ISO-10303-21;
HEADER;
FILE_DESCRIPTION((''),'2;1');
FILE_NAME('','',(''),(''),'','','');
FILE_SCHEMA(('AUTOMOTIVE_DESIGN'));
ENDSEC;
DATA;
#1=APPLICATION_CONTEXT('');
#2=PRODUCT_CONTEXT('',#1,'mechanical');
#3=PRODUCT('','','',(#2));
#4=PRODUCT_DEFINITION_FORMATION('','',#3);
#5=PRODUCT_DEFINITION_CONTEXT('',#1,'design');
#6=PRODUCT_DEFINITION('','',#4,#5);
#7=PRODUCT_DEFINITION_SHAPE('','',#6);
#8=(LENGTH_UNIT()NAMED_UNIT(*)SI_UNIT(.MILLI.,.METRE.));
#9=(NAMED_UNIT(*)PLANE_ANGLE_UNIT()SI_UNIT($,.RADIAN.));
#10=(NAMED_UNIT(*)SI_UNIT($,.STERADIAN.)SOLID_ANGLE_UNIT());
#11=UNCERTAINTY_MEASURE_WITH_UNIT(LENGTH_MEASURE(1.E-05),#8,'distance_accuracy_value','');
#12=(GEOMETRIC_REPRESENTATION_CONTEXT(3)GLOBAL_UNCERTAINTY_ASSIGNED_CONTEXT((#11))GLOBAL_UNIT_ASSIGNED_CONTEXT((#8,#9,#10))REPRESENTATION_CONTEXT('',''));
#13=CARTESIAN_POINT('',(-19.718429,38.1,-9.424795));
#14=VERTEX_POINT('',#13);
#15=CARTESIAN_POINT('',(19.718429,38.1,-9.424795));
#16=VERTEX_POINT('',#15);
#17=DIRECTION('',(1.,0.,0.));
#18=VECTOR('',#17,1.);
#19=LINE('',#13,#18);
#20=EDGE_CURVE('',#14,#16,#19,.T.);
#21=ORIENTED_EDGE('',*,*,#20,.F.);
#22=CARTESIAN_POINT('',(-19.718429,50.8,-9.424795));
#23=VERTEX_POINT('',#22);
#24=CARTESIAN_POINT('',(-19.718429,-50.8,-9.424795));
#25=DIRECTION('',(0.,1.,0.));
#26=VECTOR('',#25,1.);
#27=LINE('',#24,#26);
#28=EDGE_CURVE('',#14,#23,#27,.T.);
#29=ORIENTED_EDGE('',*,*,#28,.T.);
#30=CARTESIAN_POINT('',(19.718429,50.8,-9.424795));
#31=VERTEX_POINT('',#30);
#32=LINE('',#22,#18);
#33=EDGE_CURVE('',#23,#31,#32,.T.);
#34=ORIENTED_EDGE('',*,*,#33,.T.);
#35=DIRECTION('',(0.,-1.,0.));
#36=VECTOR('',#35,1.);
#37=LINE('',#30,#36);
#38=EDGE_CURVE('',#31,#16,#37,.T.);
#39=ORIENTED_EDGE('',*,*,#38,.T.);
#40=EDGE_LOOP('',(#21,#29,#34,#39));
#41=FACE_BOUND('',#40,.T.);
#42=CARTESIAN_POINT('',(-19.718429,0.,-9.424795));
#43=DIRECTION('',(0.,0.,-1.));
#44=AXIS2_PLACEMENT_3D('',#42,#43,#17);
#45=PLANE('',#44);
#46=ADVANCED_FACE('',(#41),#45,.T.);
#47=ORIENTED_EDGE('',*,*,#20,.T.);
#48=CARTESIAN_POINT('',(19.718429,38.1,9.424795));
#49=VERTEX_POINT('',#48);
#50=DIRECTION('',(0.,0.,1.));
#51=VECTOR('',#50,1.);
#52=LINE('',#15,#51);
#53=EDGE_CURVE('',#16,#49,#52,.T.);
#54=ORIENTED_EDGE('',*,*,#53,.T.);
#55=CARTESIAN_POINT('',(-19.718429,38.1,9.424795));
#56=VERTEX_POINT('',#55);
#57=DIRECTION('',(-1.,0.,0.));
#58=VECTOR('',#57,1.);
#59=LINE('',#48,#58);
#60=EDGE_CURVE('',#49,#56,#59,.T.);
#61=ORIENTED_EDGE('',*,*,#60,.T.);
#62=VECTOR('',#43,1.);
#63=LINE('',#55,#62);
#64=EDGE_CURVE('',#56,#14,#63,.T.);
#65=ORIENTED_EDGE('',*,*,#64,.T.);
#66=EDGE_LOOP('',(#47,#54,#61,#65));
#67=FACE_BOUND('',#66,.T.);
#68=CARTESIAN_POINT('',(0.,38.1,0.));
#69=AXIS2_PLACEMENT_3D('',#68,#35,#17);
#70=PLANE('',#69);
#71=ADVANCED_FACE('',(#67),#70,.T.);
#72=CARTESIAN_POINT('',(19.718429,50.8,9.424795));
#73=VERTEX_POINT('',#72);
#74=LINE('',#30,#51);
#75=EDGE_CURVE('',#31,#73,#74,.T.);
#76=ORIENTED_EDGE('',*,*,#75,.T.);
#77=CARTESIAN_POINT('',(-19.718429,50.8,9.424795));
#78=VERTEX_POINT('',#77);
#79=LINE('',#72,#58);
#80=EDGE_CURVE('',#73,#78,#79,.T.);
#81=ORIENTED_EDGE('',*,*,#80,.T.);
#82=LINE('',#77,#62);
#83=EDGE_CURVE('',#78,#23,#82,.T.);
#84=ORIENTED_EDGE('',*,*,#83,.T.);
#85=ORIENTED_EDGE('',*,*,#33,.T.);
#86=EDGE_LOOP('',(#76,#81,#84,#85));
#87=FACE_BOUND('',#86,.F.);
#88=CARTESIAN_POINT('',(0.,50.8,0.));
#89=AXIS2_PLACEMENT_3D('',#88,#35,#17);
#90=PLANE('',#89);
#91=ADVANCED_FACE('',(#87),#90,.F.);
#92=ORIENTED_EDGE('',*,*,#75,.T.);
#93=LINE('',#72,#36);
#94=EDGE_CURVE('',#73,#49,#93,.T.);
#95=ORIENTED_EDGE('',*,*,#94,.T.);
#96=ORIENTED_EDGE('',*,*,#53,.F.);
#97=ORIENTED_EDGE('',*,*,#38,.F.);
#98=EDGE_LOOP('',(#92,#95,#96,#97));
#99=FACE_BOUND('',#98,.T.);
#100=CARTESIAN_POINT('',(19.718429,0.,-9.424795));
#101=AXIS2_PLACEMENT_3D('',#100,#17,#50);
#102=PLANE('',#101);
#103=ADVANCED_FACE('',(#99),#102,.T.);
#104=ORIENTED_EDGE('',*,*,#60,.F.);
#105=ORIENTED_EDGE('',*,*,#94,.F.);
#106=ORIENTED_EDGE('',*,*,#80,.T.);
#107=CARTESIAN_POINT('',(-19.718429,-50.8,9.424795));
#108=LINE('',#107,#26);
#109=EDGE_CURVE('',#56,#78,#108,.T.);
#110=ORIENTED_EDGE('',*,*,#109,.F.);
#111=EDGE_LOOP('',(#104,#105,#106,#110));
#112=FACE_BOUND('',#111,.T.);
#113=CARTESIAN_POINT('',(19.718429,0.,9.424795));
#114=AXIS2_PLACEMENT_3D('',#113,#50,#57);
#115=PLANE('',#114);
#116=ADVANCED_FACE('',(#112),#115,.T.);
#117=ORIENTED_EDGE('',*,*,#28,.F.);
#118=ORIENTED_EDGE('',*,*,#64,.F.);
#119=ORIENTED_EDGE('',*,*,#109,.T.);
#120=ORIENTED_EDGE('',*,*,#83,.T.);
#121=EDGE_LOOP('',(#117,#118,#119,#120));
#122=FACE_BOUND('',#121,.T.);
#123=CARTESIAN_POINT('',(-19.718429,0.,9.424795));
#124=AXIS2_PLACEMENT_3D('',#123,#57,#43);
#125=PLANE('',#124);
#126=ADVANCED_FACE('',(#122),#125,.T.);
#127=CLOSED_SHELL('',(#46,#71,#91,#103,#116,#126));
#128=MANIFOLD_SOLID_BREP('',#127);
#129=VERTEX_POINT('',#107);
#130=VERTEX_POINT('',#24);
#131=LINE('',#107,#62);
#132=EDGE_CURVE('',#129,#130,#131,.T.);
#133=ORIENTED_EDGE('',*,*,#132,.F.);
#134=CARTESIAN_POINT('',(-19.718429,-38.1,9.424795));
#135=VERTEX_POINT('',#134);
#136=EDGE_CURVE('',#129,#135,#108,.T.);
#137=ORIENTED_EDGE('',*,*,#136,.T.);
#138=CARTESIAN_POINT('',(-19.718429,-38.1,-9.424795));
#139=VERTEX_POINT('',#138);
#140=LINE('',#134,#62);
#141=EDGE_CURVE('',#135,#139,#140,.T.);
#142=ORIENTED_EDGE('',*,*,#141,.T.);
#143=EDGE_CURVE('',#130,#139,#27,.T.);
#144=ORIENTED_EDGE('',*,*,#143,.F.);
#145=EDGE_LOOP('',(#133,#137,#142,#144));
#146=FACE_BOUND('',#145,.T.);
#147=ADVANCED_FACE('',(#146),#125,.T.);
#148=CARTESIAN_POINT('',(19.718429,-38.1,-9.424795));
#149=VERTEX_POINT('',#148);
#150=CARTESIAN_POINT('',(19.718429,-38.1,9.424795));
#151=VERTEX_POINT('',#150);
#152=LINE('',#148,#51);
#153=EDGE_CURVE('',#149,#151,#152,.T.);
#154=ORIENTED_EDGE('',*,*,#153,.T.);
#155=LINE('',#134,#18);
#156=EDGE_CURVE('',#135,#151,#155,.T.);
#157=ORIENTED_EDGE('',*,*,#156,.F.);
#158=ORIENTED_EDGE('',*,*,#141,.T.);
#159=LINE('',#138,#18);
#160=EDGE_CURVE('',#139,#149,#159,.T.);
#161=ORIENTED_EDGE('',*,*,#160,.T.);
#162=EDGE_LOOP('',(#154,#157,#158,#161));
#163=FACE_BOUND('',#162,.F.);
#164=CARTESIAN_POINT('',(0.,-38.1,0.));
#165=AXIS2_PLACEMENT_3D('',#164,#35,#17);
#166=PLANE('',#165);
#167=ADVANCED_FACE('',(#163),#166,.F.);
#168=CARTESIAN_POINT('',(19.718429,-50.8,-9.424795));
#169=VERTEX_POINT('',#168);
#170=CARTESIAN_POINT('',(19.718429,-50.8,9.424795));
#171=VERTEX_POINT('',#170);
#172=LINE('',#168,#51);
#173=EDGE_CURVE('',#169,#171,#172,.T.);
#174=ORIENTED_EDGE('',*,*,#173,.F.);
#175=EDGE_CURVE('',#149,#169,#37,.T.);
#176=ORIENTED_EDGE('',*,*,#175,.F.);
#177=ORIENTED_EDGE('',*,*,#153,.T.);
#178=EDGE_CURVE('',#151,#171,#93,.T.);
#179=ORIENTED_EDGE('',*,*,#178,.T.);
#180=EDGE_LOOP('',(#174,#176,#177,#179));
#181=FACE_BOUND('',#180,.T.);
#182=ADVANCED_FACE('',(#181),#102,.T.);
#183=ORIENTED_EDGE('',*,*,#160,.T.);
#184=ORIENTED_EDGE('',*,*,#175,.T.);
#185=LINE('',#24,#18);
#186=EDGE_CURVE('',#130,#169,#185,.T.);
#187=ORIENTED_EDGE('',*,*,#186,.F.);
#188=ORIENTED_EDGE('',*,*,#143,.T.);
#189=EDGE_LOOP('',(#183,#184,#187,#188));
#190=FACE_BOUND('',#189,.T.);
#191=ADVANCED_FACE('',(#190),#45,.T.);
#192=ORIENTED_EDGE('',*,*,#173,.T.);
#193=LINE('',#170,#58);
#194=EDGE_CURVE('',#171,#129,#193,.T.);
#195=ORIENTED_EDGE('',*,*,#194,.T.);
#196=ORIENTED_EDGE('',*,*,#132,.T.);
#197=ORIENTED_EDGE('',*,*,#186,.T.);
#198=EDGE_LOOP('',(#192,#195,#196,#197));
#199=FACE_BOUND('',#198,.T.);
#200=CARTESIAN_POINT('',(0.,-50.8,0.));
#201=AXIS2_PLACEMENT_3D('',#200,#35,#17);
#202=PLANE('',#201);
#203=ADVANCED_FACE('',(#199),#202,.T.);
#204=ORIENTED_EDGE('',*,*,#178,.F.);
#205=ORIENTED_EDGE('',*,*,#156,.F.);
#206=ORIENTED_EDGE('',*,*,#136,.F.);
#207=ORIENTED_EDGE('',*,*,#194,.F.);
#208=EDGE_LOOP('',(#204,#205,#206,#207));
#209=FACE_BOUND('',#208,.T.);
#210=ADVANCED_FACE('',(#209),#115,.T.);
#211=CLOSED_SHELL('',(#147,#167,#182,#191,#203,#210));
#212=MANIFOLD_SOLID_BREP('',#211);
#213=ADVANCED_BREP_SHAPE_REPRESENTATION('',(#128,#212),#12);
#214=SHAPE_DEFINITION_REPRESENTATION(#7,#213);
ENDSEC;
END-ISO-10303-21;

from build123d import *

# Parameters (mm, degrees)
F1_DEPTH = 50.8
F2_DEPTH = 38.1
F3_DEPTH = 25.4


with BuildPart() as f1:
    # F0 (on Front) → F1 (new body, symmetric)
    with BuildSketch(Plane.XZ):
        Polygon((-19.718429, -9.424795), (19.718429, -9.424795), (19.718429, 9.424795), (8.622639, 9.424795), (-19.718429, 9.424795), align=None)
    extrude(amount=F1_DEPTH, both=True)

    # F0 (on Front) → F2 (cut, symmetric)
    with BuildSketch(Plane.XZ):
        Polygon((-19.718429, -9.424795), (19.718429, -9.424795), (19.718429, 9.424795), (8.622639, 9.424795), (-19.718429, 9.424795), align=None)
        with BuildLine():
            Line((8.622639, 9.424795), (19.718429, 9.424795))
            Line((19.718429, 9.424795), (19.718429, 16.443158))
            ThreePointArc((19.718429, 16.443158), (21.343754, 20.367038), (25.267634, 21.992363))
            Line((25.267634, 21.992363), (34.490546, 21.992363))
            Line((34.490546, 21.992363), (34.490546, 33.088153))
            Line((34.490546, 33.088153), (25.267634, 33.088153))
            ThreePointArc((25.267634, 33.088153), (13.497845, 28.212947), (8.622639, 16.443158))
            Line((8.622639, 16.443158), (8.622639, 9.424795))
        make_face()
    extrude(amount=F2_DEPTH, both=True, mode=Mode.SUBTRACT)

    # F0 (on Front) → F3 (cut, symmetric)
    with BuildSketch(Plane.XZ):
        with BuildLine():
            add(Edge.make_bspline(
                [(-19.718429, 9.424795), (-19.792453, 30.460717), (0, 33.08684), (25.267634, 33.088153)],
                knots=[0, 0, 0, 0, 50.830113, 50.830113, 50.830113, 50.830113], degree=3))
            Line((-19.718429, 9.424795), (8.622639, 9.424795))
            Line((8.622639, 9.424795), (8.622639, 16.443158))
            ThreePointArc((8.622639, 16.443158), (13.497845, 28.212947), (25.267634, 33.088153))
        make_face()
    extrude(amount=F3_DEPTH, both=True, mode=Mode.SUBTRACT)


solid = f1.part
